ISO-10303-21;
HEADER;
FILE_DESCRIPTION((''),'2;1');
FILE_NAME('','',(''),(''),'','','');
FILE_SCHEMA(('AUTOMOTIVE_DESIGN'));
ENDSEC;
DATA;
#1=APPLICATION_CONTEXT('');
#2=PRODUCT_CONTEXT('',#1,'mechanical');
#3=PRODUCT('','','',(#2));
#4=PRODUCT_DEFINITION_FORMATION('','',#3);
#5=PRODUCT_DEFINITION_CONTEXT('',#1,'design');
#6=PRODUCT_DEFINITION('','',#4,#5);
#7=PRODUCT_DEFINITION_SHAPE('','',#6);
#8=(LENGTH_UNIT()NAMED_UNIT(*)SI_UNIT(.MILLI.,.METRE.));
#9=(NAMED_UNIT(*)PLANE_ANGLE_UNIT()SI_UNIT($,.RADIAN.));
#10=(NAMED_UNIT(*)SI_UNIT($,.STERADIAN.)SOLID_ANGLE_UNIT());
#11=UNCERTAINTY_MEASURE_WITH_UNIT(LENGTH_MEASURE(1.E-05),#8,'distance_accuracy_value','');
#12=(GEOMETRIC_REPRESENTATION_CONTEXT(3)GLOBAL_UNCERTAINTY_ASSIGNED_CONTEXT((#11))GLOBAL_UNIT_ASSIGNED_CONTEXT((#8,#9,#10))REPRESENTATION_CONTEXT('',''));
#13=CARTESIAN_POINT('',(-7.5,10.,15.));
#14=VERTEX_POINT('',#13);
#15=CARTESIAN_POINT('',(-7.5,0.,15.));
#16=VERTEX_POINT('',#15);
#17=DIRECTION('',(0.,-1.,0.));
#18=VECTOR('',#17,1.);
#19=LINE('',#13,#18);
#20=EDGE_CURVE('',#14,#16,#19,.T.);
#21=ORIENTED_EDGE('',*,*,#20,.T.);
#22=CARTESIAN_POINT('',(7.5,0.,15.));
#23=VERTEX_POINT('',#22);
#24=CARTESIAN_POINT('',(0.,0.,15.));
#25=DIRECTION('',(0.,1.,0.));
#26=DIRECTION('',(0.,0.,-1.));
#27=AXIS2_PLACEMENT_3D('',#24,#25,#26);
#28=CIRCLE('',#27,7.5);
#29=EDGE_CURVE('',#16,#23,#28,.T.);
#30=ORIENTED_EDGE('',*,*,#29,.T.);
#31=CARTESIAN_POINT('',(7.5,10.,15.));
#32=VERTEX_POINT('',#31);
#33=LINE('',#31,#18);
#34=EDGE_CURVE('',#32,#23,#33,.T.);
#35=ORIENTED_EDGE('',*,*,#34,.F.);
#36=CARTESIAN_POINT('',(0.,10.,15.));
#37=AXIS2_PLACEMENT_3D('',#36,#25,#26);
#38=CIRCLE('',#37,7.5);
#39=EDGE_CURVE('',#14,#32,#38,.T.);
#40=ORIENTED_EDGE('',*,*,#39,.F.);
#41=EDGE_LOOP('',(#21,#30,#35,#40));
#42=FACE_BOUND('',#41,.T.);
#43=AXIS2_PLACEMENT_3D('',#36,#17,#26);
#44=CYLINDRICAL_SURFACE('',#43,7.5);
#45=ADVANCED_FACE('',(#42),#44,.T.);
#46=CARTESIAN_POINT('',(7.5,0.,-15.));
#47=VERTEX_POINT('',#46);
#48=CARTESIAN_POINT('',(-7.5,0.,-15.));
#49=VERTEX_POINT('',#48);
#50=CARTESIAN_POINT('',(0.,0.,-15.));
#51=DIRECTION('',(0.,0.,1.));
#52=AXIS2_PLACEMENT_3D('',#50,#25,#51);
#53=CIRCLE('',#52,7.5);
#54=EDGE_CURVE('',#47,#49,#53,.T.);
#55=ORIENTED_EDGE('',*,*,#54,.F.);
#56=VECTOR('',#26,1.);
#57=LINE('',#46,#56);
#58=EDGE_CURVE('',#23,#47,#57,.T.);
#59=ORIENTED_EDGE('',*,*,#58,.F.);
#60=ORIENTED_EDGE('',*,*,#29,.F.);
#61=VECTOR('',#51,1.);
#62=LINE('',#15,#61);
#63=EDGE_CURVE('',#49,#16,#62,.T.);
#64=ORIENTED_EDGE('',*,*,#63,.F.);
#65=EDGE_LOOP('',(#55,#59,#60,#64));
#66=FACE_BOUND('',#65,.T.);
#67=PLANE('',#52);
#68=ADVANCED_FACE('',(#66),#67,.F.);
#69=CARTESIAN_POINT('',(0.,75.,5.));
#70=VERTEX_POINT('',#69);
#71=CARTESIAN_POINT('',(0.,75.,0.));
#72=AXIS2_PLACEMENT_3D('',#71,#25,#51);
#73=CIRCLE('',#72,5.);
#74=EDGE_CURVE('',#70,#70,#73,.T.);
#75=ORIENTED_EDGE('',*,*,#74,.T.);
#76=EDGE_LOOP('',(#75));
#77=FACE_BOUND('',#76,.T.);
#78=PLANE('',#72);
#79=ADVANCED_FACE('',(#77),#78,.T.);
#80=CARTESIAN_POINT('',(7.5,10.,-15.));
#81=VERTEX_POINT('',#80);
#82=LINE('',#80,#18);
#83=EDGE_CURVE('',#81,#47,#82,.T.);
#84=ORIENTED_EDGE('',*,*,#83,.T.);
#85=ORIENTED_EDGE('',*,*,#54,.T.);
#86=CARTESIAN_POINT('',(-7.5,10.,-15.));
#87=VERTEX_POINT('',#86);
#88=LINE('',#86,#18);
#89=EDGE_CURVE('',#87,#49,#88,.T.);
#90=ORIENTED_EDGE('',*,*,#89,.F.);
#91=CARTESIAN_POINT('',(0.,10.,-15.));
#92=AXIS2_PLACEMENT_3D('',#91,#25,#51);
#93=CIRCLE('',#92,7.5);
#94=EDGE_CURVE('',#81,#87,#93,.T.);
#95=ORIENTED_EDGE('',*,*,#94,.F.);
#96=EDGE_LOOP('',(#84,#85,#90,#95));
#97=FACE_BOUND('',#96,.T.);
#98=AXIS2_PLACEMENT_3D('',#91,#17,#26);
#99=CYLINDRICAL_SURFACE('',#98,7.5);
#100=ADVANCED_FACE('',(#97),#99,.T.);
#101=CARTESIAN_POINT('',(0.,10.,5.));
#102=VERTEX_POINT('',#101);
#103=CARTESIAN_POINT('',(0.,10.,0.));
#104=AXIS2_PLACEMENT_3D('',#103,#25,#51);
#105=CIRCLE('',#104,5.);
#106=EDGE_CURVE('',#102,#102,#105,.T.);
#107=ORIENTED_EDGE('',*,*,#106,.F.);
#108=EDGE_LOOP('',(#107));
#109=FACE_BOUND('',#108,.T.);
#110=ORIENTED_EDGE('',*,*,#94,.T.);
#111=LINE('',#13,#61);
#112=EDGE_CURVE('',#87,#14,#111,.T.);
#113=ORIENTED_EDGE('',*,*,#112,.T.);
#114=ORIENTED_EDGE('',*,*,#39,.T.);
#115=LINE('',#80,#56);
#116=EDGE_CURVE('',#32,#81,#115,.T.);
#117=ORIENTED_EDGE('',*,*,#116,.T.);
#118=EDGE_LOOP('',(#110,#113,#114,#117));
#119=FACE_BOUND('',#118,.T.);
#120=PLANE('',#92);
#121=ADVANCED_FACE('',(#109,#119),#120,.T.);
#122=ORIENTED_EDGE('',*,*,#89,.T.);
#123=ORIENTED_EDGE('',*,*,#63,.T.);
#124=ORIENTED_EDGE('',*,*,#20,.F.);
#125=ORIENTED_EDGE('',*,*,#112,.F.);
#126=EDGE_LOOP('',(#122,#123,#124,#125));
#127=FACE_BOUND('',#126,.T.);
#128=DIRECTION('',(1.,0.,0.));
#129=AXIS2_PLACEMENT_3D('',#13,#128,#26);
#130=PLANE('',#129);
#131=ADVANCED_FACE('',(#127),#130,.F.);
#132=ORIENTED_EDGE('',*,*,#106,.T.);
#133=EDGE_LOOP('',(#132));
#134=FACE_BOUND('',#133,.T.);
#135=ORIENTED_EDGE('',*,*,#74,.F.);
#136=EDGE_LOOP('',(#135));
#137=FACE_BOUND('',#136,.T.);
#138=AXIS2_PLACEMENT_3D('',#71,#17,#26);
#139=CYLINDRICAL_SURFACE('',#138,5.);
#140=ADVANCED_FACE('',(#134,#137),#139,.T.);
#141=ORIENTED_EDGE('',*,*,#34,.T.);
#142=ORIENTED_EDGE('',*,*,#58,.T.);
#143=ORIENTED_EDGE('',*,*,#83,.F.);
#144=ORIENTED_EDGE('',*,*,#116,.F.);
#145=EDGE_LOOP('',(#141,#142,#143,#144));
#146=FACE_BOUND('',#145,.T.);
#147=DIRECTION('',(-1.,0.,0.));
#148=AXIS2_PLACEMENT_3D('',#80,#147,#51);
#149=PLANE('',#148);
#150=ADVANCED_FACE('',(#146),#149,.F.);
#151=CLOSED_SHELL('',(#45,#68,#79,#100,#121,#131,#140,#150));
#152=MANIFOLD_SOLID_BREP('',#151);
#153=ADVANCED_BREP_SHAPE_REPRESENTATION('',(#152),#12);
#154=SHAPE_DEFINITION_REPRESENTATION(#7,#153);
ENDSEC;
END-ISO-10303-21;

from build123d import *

# Parameters (mm, degrees)
BOSS_EXTRUDE1_DEPTH = 10
SKETCH2_R           = 5
BOSS_EXTRUDE2_DEPTH = 65


with BuildPart() as part:
    # Sketch1 → Boss-Extrude1 (new body)
    with BuildSketch(Plane(origin=(0, 0, 0), x_dir=(1, 0, 0), z_dir=(0, 1, 0))):
        with BuildLine():
            Line((-7.5, -15), (-7.5, 15))
            ThreePointArc((-7.5, 15), (0, 22.5), (7.5, 15))
            Line((7.5, 15), (7.5, -15))
            ThreePointArc((7.5, -15), (0, -22.5), (-7.5, -15))
        make_face()
    extrude(amount=BOSS_EXTRUDE1_DEPTH)

    # Sketch2 → Boss-Extrude2 (add)
    with BuildSketch(Plane(origin=(0, 10, 0), x_dir=(1, 0, 0), z_dir=(0, 1, 0))):
        with Locations(Location((0, 0, 0), (0, 0, 270))):
            Circle(SKETCH2_R)
    extrude(amount=BOSS_EXTRUDE2_DEPTH)


solid = part.part
